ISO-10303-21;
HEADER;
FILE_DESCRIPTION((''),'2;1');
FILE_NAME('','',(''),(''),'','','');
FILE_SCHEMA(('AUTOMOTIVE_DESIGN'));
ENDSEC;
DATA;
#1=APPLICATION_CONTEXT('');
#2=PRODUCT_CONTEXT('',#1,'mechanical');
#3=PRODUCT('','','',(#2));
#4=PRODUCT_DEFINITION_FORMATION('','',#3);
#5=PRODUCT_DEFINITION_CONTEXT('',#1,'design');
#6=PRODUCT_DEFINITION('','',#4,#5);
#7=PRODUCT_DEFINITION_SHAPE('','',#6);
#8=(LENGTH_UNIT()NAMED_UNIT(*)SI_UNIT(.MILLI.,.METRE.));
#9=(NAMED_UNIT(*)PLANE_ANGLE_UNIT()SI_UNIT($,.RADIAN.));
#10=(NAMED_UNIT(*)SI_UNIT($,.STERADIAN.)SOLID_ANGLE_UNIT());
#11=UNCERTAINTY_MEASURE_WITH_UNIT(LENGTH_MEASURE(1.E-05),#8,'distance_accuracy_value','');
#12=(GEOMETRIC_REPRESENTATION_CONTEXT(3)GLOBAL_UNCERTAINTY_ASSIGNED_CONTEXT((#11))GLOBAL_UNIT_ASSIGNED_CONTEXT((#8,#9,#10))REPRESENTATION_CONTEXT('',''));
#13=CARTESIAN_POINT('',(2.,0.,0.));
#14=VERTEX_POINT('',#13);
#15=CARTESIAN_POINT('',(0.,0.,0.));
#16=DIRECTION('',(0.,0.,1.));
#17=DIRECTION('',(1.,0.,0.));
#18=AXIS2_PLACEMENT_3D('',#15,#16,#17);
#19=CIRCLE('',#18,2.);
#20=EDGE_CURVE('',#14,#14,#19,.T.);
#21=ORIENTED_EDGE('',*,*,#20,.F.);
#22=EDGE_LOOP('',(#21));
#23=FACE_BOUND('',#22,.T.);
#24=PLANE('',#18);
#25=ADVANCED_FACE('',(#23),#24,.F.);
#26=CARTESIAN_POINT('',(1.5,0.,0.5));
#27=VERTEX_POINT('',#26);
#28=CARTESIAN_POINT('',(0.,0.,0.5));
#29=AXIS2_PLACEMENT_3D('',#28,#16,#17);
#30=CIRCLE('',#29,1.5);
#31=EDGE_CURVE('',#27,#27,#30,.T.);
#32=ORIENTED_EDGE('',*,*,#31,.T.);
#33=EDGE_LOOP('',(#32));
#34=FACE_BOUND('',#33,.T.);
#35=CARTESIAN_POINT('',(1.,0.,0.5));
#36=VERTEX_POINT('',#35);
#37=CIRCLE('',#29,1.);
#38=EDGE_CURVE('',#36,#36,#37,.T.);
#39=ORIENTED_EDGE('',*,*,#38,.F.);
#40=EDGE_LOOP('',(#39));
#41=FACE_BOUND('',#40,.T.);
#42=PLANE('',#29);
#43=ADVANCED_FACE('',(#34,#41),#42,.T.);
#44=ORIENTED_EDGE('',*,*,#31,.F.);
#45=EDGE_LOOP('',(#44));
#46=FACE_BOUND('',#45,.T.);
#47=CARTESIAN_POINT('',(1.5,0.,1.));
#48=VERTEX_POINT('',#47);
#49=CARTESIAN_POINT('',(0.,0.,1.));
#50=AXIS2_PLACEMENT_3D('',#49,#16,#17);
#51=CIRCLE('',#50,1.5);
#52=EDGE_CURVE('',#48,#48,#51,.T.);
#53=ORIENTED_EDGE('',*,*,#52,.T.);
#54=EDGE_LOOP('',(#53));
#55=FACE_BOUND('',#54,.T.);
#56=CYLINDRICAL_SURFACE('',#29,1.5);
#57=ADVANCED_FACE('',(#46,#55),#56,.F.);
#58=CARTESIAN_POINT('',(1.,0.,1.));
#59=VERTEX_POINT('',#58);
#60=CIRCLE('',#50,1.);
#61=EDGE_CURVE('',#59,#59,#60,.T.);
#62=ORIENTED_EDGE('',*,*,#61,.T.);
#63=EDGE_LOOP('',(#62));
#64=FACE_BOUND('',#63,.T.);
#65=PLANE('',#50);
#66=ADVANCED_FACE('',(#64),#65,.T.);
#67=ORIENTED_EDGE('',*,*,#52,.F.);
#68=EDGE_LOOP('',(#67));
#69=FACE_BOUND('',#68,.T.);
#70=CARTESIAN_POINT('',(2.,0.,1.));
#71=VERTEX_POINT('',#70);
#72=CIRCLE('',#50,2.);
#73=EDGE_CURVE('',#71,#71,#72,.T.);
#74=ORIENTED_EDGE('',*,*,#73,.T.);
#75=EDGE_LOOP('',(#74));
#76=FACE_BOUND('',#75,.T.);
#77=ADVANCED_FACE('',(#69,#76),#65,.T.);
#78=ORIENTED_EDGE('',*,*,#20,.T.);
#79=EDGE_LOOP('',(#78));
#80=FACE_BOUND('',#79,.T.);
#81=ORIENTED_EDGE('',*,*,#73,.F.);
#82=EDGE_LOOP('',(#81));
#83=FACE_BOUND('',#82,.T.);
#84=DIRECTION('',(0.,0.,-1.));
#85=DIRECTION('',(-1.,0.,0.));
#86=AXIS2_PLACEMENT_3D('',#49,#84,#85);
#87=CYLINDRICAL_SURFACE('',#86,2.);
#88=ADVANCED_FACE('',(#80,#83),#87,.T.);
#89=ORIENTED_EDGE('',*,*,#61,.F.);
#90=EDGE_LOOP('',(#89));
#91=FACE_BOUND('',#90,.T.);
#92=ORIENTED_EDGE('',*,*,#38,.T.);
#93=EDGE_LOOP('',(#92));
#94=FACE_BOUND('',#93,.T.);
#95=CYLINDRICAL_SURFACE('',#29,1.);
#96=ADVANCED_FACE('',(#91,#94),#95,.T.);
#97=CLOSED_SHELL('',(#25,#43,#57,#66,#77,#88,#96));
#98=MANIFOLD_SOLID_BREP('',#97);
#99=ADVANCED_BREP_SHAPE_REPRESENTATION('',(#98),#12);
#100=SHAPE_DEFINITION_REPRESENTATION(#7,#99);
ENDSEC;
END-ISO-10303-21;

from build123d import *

# Parameters (mm, degrees)
SKETCH1_R           = 2
BOSS_EXTRUDE1_DEPTH = 1
SKETCH2_R           = 1.5
SKETCH2_R_2         = 1
CUT_EXTRUDE2_DEPTH  = 0.5


with BuildPart() as part:
    # Sketch1 → Boss-Extrude1 (new body)
    with BuildSketch(Plane.XY):
        Circle(SKETCH1_R)
    extrude(amount=BOSS_EXTRUDE1_DEPTH)

    # Sketch2 → Cut-Extrude2 (cut)
    with BuildSketch(Plane.XY.offset(1)):
        Circle(SKETCH2_R)
        Circle(SKETCH2_R_2, mode=Mode.SUBTRACT)
    extrude(amount=-CUT_EXTRUDE2_DEPTH, mode=Mode.SUBTRACT)


solid = part.part
